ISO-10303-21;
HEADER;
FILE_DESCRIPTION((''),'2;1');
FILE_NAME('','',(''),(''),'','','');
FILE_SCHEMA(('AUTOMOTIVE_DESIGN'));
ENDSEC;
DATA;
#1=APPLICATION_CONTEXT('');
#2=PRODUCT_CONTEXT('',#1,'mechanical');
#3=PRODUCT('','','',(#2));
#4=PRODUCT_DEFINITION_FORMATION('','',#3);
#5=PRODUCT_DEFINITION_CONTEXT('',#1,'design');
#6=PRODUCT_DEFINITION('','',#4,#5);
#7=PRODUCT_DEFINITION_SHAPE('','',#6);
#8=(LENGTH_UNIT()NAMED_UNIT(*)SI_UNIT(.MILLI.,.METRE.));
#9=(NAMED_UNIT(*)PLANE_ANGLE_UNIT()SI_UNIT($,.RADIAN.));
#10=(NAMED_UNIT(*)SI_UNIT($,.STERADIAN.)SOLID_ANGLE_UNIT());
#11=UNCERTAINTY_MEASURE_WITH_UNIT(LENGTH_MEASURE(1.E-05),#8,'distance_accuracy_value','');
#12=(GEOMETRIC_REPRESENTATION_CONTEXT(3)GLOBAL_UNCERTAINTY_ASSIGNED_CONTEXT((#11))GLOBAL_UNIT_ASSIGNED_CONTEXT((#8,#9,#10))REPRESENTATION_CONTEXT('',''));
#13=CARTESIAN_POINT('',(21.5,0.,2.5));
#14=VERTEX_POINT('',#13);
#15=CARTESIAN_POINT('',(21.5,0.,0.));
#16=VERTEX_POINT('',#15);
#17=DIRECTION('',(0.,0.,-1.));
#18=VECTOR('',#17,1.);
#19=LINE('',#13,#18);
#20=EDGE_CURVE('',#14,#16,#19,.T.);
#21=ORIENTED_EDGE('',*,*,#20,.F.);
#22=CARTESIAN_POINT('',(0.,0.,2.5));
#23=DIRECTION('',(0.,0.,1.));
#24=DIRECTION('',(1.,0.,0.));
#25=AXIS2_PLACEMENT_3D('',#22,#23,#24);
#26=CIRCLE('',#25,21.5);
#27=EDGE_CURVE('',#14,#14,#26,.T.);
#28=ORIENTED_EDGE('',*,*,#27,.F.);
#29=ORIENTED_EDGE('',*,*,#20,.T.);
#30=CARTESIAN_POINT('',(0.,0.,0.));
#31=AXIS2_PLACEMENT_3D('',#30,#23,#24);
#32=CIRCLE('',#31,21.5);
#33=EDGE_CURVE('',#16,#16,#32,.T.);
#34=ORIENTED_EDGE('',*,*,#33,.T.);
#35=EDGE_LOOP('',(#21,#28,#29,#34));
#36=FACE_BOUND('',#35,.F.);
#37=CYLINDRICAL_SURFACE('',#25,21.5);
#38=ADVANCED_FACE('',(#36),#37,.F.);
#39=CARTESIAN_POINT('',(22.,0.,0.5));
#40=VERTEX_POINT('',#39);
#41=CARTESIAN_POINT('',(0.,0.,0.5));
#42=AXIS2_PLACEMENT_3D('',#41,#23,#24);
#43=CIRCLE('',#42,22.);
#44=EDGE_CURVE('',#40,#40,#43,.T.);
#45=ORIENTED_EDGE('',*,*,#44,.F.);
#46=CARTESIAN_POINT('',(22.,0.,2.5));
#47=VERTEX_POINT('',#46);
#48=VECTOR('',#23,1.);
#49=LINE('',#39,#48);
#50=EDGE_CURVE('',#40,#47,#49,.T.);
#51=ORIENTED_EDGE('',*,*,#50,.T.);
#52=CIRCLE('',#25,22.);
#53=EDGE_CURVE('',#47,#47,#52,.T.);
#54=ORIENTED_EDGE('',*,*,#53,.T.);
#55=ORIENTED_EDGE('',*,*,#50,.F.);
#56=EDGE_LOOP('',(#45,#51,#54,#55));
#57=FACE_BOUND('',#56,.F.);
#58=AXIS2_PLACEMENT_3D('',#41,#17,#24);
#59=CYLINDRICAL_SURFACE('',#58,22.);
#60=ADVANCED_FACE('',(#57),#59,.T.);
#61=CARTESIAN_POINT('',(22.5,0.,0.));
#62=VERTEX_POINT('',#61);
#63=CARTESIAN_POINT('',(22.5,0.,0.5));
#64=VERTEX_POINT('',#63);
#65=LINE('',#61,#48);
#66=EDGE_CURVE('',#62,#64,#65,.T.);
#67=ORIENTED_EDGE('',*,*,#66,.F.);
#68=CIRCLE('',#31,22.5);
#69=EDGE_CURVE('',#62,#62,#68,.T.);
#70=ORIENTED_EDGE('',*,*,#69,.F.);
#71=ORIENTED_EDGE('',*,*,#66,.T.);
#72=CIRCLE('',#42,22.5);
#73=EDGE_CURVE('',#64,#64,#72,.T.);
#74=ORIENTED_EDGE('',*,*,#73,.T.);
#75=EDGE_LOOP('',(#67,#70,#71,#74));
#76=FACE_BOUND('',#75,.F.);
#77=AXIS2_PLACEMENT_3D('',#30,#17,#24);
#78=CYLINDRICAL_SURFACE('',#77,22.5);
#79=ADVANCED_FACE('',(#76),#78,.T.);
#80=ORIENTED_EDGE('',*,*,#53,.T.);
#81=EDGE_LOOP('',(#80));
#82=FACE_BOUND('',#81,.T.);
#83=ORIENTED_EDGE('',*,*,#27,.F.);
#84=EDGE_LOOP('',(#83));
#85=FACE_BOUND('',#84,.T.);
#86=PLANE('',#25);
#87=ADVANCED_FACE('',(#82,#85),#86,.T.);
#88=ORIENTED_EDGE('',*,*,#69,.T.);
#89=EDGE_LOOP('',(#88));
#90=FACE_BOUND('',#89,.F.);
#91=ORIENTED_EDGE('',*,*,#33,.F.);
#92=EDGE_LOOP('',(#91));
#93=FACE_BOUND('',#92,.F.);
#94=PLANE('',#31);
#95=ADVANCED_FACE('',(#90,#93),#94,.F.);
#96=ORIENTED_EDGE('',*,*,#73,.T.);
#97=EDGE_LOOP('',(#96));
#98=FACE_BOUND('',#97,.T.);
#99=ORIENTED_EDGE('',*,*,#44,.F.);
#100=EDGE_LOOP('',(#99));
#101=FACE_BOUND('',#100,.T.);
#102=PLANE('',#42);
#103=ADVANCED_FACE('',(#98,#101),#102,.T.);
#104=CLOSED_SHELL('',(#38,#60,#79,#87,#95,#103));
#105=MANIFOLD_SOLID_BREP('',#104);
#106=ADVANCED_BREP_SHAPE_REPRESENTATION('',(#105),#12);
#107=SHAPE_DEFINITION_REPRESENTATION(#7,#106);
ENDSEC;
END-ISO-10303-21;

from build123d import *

# Parameters (mm, degrees)
SKETCH_R     = 22.5
PAD_DEPTH    = 0.5
SKETCH001_R  = 22
PAD001_DEPTH = 2
SKETCH002_R  = 21.5
POCKET_DEPTH = 5


with BuildPart() as part:
    # Sketch → Pad (new body)
    with BuildSketch(Plane.XY):
        Circle(SKETCH_R)
    extrude(amount=PAD_DEPTH)

    # Sketch001 (on Face3 of Pad) → Pad001 (join)
    with BuildSketch(Plane.XY.offset(0.5)):
        Circle(SKETCH001_R)
    extrude(amount=PAD001_DEPTH)

    # Sketch002 (on Face5 of Pad001) → Pocket (cut)
    with BuildSketch(Plane.XY.offset(2.5)):
        Circle(SKETCH002_R)
    extrude(amount=-POCKET_DEPTH, mode=Mode.SUBTRACT)


solid = part.part
